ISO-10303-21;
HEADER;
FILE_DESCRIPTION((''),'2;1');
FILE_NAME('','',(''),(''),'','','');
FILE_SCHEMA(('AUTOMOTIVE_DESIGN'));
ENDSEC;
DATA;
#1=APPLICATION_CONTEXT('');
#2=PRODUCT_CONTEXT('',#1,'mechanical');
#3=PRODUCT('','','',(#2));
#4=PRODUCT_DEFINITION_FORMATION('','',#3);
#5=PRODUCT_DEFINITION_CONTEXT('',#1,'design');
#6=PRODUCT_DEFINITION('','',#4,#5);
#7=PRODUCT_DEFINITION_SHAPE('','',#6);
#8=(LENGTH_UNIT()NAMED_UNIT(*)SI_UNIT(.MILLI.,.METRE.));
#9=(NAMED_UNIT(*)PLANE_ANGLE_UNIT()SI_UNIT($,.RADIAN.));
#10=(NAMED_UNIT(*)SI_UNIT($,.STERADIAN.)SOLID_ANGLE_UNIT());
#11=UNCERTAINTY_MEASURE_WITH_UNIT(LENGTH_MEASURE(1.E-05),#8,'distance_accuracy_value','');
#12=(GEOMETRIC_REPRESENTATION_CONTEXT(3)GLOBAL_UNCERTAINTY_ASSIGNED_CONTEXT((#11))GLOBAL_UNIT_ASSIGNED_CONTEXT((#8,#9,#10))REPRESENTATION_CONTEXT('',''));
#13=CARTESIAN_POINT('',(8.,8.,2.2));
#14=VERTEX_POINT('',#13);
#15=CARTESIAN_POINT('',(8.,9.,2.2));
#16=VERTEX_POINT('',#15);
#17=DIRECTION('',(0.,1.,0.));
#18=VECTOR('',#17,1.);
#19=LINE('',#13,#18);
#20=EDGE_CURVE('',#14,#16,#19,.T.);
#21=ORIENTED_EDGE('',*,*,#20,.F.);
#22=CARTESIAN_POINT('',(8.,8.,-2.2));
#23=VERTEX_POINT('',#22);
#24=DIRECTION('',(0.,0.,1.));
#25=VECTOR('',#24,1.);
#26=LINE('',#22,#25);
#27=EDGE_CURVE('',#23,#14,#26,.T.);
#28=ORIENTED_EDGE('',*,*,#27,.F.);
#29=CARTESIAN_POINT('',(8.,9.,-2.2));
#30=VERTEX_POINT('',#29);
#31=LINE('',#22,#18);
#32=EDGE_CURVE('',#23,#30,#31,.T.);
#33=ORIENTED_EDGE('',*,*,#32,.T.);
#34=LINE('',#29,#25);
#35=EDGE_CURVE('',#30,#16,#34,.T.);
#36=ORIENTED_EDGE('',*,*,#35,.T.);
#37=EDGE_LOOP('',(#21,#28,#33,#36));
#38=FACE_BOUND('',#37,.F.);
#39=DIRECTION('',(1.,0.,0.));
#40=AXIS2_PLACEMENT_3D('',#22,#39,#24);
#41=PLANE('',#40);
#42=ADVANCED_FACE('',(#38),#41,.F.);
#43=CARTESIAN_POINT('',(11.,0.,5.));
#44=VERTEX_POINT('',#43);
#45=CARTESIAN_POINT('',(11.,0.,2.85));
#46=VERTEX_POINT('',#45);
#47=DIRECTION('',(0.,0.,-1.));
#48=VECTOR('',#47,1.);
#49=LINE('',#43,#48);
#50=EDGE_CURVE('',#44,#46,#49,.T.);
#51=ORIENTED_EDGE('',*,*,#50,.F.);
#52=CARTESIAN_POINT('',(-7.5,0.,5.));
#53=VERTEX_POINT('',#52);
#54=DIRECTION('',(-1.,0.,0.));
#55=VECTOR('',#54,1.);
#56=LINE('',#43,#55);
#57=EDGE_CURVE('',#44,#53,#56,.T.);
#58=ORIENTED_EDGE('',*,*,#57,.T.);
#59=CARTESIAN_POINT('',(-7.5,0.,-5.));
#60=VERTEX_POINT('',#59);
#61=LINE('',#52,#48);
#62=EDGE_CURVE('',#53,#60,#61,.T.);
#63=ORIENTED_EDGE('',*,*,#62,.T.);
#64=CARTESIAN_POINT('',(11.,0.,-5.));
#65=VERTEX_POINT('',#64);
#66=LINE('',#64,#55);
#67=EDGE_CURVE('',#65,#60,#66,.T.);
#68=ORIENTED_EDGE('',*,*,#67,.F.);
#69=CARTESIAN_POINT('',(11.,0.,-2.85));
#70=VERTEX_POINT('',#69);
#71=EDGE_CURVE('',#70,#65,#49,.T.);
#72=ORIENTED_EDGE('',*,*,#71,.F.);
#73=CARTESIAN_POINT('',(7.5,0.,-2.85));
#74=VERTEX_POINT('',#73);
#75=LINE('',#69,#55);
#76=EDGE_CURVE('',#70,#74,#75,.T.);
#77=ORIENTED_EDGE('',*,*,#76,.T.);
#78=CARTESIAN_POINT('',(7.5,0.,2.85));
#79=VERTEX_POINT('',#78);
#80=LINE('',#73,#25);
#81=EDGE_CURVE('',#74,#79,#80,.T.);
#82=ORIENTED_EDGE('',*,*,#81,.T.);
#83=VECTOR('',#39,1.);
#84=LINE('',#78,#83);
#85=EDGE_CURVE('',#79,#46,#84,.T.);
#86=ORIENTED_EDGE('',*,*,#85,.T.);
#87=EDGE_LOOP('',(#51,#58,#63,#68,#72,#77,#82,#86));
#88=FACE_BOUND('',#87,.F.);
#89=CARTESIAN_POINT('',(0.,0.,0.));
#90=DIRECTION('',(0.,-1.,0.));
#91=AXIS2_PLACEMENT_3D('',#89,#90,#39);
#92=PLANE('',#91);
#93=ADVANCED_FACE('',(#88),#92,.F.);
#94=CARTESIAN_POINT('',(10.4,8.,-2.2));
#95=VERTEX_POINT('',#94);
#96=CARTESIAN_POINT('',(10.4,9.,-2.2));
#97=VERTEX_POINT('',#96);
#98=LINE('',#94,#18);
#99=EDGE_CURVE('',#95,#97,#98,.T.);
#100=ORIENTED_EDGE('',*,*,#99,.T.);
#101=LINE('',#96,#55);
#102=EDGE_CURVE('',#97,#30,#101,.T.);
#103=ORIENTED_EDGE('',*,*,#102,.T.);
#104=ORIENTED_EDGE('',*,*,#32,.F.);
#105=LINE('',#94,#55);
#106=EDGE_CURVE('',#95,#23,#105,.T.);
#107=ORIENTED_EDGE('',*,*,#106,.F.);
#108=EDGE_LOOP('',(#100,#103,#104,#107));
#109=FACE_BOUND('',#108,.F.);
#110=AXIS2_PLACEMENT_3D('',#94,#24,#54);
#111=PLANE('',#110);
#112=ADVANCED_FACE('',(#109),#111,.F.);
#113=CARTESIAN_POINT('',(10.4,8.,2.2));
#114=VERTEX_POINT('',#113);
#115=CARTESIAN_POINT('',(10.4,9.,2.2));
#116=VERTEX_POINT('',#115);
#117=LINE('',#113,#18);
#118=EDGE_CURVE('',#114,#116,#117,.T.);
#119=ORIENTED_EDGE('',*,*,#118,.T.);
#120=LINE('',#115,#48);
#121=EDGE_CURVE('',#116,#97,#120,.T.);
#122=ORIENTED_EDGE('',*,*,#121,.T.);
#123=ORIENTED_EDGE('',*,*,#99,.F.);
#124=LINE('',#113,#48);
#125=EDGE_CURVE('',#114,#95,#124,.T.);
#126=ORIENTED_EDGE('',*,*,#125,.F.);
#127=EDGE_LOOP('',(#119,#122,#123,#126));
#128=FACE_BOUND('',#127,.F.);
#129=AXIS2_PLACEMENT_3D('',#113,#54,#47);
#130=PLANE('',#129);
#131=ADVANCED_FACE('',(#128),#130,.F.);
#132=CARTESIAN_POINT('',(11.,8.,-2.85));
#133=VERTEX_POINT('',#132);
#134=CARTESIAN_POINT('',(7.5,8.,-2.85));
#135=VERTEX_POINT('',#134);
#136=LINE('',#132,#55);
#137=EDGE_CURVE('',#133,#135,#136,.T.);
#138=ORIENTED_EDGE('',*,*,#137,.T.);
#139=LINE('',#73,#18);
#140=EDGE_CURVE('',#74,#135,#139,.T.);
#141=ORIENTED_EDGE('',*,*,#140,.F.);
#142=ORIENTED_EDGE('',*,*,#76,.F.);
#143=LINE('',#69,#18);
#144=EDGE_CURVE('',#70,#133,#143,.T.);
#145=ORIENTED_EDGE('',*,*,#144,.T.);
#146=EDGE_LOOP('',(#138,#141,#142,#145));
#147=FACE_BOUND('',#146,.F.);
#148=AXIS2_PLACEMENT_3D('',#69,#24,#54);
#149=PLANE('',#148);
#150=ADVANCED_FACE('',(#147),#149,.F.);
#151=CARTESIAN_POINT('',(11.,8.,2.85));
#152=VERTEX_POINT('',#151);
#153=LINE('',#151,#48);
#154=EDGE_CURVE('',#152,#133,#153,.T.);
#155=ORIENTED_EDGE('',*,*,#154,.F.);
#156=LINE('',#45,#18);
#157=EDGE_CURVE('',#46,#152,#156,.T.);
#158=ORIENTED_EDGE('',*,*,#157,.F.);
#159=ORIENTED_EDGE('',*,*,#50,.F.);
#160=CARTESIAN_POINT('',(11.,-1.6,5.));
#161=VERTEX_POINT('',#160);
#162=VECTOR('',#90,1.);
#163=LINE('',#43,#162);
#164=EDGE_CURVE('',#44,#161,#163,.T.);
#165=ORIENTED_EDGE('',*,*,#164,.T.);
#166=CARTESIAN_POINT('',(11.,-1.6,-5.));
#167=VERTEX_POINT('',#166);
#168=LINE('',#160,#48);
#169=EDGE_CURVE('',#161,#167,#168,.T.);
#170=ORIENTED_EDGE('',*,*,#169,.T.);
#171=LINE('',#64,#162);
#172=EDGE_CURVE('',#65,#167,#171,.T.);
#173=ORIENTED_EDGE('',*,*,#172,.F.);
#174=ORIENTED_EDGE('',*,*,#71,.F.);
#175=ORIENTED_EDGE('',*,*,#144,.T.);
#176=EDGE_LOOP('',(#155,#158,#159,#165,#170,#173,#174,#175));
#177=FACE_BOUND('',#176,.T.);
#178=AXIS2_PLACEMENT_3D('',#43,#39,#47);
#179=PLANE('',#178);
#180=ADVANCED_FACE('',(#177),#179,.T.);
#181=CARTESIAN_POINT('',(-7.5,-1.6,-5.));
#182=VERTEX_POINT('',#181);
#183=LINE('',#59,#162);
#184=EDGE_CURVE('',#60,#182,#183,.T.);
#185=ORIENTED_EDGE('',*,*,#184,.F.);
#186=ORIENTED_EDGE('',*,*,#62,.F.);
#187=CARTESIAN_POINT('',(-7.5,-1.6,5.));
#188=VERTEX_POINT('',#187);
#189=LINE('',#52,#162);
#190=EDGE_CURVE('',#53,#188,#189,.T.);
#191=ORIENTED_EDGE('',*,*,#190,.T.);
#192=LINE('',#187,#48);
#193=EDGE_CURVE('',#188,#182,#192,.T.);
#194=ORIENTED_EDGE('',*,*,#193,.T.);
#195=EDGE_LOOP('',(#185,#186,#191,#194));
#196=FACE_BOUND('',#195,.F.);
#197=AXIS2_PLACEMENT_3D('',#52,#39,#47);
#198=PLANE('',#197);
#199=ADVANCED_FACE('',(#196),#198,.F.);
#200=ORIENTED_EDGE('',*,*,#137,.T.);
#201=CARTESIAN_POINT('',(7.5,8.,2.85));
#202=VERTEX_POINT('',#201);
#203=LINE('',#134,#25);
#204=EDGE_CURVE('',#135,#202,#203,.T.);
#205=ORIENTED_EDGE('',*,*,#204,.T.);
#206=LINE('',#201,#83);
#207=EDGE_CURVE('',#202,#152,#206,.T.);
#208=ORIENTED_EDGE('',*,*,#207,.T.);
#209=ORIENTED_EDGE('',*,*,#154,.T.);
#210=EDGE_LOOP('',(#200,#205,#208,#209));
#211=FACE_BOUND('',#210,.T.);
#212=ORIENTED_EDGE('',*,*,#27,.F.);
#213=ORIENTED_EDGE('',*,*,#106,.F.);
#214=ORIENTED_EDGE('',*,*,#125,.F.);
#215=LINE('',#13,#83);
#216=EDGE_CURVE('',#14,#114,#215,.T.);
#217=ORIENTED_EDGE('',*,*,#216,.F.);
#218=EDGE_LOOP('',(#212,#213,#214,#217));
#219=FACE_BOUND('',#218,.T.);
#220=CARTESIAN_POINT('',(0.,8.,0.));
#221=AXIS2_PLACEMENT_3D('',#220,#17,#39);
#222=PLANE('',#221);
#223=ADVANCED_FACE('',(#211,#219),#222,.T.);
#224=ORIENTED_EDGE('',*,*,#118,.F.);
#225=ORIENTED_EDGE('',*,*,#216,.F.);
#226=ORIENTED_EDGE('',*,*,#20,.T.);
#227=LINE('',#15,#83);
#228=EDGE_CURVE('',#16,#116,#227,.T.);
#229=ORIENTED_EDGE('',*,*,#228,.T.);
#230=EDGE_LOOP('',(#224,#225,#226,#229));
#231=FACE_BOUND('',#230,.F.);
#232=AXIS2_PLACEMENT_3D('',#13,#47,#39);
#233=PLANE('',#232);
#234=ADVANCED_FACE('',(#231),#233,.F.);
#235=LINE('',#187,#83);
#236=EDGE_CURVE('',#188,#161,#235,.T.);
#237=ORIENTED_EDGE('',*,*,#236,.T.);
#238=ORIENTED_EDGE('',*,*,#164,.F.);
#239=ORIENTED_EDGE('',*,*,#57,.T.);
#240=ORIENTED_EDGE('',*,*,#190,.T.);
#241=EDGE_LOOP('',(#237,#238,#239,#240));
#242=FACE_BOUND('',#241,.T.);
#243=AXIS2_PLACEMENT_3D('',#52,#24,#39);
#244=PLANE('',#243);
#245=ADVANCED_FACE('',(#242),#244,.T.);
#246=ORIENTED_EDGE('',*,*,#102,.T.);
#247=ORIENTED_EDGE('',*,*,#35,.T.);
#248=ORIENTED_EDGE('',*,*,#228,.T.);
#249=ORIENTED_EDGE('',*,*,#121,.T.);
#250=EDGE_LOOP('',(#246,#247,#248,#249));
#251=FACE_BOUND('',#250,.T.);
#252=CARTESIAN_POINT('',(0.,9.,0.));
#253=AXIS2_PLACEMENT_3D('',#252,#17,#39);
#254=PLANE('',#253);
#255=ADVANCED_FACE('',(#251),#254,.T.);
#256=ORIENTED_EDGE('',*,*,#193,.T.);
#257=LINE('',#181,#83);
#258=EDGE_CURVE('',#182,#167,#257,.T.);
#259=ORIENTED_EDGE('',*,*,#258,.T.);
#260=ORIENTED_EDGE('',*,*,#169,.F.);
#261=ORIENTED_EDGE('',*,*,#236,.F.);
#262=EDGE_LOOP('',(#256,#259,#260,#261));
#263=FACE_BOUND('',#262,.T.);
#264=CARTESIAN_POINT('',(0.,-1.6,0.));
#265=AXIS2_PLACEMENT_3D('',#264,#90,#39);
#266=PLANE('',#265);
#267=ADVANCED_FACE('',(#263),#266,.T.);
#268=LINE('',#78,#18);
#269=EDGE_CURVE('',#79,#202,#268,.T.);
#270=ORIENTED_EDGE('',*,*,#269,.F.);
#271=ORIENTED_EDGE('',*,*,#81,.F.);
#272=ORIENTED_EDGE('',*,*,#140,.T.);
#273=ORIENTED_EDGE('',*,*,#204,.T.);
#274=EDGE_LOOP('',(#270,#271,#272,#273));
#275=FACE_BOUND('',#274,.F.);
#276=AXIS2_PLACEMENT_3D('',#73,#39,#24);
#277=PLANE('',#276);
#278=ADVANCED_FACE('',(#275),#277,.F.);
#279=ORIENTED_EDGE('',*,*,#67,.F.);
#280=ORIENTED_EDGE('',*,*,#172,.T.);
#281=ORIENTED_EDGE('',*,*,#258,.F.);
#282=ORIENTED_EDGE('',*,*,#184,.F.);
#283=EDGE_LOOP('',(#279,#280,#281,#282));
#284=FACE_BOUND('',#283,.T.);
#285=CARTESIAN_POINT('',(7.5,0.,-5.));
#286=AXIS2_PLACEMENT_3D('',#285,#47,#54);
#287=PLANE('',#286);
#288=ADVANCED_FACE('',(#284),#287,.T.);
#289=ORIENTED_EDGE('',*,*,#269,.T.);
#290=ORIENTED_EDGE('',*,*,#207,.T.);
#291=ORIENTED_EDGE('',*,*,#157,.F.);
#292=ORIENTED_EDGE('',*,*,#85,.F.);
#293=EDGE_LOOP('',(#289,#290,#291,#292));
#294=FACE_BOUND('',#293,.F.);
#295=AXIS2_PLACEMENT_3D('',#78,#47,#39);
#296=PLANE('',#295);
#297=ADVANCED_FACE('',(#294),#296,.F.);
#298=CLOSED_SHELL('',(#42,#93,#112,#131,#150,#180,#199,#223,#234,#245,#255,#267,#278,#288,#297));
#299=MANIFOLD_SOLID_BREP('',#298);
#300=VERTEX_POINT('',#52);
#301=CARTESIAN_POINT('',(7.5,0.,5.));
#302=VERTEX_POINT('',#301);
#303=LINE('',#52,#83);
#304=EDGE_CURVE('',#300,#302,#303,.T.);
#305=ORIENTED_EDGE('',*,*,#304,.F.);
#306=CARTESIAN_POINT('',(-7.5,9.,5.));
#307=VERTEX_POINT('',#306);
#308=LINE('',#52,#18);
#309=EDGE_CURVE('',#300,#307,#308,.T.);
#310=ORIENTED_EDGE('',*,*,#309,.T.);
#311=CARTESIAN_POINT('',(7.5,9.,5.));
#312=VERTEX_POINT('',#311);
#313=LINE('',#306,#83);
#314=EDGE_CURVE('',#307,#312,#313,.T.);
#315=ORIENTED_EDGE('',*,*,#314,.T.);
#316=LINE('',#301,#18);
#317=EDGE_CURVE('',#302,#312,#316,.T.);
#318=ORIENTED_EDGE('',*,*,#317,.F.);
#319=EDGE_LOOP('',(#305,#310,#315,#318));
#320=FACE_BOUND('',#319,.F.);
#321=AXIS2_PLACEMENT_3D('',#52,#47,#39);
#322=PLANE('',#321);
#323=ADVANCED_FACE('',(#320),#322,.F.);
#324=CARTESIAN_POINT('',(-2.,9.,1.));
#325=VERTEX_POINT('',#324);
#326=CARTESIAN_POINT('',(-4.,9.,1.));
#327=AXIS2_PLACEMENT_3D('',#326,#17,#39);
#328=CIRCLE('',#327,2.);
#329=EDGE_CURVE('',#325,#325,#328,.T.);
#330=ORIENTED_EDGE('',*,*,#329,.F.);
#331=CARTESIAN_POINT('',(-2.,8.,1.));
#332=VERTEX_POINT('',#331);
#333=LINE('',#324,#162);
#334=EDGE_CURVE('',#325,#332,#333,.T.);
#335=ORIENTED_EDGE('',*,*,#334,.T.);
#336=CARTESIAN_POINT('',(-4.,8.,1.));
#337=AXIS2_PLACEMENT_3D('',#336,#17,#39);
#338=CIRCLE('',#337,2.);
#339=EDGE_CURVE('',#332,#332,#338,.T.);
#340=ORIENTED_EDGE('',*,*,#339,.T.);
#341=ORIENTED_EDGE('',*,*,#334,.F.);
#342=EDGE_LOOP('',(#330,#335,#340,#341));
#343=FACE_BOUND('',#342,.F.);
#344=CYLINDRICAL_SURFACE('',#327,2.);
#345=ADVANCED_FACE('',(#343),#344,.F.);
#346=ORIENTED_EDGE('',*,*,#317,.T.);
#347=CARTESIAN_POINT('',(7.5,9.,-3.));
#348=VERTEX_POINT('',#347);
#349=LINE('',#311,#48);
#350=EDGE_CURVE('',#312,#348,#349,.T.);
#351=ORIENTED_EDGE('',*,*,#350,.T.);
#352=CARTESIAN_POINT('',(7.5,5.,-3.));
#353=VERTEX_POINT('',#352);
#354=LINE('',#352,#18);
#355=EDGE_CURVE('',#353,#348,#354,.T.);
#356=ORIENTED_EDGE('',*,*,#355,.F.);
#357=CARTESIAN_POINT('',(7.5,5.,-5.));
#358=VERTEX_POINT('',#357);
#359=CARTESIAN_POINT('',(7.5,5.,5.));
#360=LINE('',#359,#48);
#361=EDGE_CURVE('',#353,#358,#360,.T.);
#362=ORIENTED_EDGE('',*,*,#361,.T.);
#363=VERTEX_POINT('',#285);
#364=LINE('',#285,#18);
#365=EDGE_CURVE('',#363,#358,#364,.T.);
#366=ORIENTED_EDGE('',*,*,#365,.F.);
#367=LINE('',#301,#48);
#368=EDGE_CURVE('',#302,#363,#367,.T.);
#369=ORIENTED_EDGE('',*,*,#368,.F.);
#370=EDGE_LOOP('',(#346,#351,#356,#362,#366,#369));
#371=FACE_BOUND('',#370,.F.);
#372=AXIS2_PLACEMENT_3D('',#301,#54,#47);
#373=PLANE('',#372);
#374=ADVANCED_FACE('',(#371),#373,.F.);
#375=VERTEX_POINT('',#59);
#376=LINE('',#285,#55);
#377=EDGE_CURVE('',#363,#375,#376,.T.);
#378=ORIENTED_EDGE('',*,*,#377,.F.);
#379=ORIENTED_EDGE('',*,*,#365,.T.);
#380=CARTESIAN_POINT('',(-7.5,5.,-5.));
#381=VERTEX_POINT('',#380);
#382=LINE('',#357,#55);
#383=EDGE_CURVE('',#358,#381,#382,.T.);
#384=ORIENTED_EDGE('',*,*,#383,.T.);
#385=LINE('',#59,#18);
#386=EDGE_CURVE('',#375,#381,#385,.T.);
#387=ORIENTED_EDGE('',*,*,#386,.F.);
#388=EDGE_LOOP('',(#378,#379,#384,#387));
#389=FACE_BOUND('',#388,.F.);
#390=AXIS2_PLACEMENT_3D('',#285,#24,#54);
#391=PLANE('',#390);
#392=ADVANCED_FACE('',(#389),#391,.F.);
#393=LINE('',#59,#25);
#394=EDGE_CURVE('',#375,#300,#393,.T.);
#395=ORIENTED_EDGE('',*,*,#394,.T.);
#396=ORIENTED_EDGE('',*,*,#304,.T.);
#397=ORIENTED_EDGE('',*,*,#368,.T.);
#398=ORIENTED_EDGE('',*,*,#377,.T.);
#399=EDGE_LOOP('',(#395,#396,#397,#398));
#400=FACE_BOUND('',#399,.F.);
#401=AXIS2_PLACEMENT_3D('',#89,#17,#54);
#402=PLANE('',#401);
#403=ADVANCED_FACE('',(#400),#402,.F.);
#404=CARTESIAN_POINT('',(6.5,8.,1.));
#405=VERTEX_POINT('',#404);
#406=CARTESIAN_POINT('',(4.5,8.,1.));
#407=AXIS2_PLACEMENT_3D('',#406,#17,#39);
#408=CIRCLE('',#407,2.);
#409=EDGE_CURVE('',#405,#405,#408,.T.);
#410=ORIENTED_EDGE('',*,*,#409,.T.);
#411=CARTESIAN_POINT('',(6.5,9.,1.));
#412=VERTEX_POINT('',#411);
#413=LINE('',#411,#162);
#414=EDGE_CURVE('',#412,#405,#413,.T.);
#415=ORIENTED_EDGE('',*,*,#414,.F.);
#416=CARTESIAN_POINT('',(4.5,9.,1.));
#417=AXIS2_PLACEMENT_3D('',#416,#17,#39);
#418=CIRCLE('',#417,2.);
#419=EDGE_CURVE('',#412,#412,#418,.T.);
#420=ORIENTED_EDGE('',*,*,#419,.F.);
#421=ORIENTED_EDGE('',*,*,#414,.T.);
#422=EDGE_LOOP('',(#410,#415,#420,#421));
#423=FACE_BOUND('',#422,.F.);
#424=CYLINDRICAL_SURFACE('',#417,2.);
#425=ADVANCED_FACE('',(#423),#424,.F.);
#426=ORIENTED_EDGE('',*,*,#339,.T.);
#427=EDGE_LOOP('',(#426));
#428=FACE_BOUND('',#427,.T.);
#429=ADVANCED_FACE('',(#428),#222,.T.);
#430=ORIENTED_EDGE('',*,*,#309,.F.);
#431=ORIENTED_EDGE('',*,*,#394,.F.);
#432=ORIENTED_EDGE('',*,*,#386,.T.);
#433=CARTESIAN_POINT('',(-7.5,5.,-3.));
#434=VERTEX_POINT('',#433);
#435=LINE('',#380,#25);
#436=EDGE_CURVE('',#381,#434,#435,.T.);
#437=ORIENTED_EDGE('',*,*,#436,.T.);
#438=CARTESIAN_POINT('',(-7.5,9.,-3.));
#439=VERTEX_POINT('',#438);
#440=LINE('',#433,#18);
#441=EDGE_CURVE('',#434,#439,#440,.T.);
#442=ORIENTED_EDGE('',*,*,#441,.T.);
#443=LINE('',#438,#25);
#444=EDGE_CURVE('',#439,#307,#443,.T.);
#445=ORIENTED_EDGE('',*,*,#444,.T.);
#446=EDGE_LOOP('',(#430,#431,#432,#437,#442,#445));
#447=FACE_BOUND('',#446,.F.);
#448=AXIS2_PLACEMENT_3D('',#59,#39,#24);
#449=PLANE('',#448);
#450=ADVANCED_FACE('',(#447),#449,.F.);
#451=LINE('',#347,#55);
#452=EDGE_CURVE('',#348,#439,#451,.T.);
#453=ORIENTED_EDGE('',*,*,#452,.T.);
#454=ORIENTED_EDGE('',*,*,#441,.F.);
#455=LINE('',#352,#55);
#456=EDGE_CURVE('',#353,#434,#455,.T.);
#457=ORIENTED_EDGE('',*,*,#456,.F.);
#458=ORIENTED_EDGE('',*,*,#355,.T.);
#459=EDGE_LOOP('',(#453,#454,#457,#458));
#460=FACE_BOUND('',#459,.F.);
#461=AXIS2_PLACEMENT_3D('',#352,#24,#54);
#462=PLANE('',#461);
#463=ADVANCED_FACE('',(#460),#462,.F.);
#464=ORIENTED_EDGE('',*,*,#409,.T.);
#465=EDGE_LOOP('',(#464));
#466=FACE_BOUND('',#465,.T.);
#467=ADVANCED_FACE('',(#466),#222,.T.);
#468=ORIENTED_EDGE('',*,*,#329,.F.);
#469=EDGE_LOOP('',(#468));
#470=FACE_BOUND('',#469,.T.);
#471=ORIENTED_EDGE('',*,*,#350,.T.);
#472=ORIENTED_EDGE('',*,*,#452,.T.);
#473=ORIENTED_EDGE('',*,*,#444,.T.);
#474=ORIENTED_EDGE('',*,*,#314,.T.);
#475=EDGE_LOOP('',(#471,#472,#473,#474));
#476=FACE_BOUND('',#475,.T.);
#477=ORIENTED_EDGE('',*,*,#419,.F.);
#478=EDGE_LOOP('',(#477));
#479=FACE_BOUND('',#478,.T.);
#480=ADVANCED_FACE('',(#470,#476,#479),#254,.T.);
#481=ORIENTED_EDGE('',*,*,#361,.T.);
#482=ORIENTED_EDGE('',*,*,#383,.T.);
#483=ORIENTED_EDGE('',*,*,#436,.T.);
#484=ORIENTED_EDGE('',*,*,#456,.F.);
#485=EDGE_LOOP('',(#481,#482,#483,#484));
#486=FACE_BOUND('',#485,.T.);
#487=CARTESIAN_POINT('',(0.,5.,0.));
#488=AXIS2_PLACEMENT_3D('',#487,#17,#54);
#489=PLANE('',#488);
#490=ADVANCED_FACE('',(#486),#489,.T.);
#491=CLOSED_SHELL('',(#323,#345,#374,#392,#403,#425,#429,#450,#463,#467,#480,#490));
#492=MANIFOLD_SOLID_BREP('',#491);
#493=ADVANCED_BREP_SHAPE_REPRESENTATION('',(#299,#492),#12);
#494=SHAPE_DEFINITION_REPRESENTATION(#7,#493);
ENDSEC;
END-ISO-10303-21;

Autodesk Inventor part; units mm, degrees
sketch "Szkic1" plane through (0, 0, 0) normal (0, 1, 0) x (-1, 0, 0)
  line L0 (7.5, 5) -> (-7.5, 5)
  line L1 (-7.5, 5) -> (-7.5, -5)
  line L2 (-7.5, -5) -> (7.5, -5)
  line L3 (7.5, -5) -> (7.5, 5)
  point P0 (0, 0)
  dimension "d0" = 10
  dimension "d1" = 15
  dimension "d2" = 5
  dimension "d3" = 7.5
extrude "Wyciągnięcie proste1" add sketch "Szkic1" along normal blind 5
sketch "Szkic2" plane through (0, 5, 0) normal (0, 1, 0) x (1, 0, 0)
  line L0 (-7.5, -5) -> (7.5, -5) projected
  line L1 (7.5, -5) -> (7.5, 5) projected
  line L2 (-7.5, -5) -> (7.5, -5)
  line L3 (7.5, -5) -> (7.5, 3)
  line L4 (7.5, 3) -> (-7.5, 3)
  line L5 (-7.5, 3) -> (-7.5, -5)
  point P0 (0, 0)
  dimension "d6" = 8
extrude "Wyciągnięcie proste2" add sketch "Szkic2" along normal blind 4
sketch "Szkic3" plane through (0, 9, 0) normal (0, 1, 0) x (1, 0, 0)
  circle A0 centre (-4, -1) radius 2
  line L0 (-7.5, 3) -> (-7.5, -5) projected
  line L1 (7.5, 3) -> (-7.5, 3) projected
  circle A1 centre (4.5, -1) radius 2
  line L2 (7.5, -5) -> (7.5, 3) projected
  point P0 (0, 0)
  dimension "d9" = 4
  dimension "d10" = 3.5
  dimension "d11" = 4
  dimension "d12" = 3
  dimension "d13" = 4
  dimension "d14" = 4
extrude "Wyciągnięcie proste3" cut sketch "Szkic3" against normal blind 1
sketch "Sketch4" plane through (0, 0, 0) normal (0, -1, 0) x (1, 0, 0)
  line L0 (-7.5, 5) -> (7.5, 5) projected
  line L1 (7.5, -5) -> (-7.5, -5) projected
  line L2 (7.5, 5) -> (-7.5, 5)
  line L3 (-7.5, 5) -> (-7.5, -5)
  line L4 (-7.5, -5) -> (7.5, -5)
  line L5 (7.5, 5) -> (11, 5)
  line L6 (11, 5) -> (11, -5)
  line L7 (11, -5) -> (7.5, -5)
  line L8 (7.5, -5) -> (-7.5, -5) projected
  line L9 (-7.5, -5) -> (-7.5, 5) projected
  point P0 (0, 0)
  dimension "d19" = 18.5
extrude "Extrusion4" add sketch "Sketch4" along normal blind 1.6 separate body
sketch "Sketch5" plane through (0, 0, 0) normal (0, 1, 0) x (1, 0, 0)
  line L0 (11, 2.85) -> (7.5, 2.85)
  line L1 (7.5, 2.85) -> (7.5, -2.85)
  line L2 (7.5, -2.85) -> (11, -2.85)
  line L3 (11, -2.85) -> (11, 2.85)
  line L4 (-7.5, 5) -> (11, 5) projected
  line L5 (7.5, -5) -> (7.5, 3) projected
  point P0 (0, 0)
  dimension "d20" = 3.5
  dimension "d21" = 5.7
  dimension "d22" = 2.15
  dimension "d23" = 0
extrude "Extrusion5" add sketch "Sketch5" along normal blind 8 bodies 2
sketch "Sketch7" plane through (0, 8, 0) normal (0, 1, 0) x (1, 0, 0)
  line L0 (10.4, 2.2) -> (8, 2.2)
  line L1 (8, 2.2) -> (8, -2.2)
  line L2 (8, -2.2) -> (10.4, -2.2)
  line L3 (10.4, -2.2) -> (10.4, 2.2)
  line L4 (7.5, -2.85) -> (11, -2.85) projected
  line L5 (7.5, 2.85) -> (7.5, -2.85) projected
  point P0 (0, 0)
  dimension "d32" = 4.4
  dimension "d33" = 0.65
  dimension "d34" = 2.4
  dimension "d35" = 0.5
extrude "Extrusion7" add sketch "Sketch7" along normal blind 1 bodies 2
ref_plane "Work Plane1" through (-7.5, 0, 3) normal (0, 0, 1) x (1, 0, 0)
ref_plane "Work Plane2" through (8, 8, 1.2) normal (0, 0, 1) x (1, 0, 0)
ref_plane "Work Plane3" through (10.4, 8, -1.2) normal (0, 0, -1) x (-1, 0, 0)
ref_plane "Work Plane4" through (-7.5, 0, 0) normal (0, 0, 1) x (1, 0, 0)
sketch "Sketch9" plane through (8, 8, 1.2) normal (0, 0, 1) x (1, 0, 0)
  line L0 (1.4, 1) -> (2.3459, 4)
  line L1 (2.3459, 4) -> (0.0541, 4)
  line L2 (0.0541, 4) -> (1, 1)
  line L3 (1, 1) -> (1.4, 1)
  line L4 (0, 1) -> (2.4, 1) projected
  line L5 (2.4, 0) -> (2.4, 1) projected
  line L6 (2.4, 1) -> (0, 1) construction
  line L7 (1.2, 1) -> (1.2, 8.0865) construction
  line L8 (-15.5, 1) -> (-0.5, 1) construction
  line L9 (1.2, 1) -> (1.2, 4)
  point P0 (-8, -8)
  dimension "d47" = 0.4
  dimension "d48" = 0
  dimension "d49" = 1
  dimension "d50" = 17.5
  dimension "d51" = 35
  dimension "d53" = 3
properties part number "Sharp_Czujnik_Linia"
